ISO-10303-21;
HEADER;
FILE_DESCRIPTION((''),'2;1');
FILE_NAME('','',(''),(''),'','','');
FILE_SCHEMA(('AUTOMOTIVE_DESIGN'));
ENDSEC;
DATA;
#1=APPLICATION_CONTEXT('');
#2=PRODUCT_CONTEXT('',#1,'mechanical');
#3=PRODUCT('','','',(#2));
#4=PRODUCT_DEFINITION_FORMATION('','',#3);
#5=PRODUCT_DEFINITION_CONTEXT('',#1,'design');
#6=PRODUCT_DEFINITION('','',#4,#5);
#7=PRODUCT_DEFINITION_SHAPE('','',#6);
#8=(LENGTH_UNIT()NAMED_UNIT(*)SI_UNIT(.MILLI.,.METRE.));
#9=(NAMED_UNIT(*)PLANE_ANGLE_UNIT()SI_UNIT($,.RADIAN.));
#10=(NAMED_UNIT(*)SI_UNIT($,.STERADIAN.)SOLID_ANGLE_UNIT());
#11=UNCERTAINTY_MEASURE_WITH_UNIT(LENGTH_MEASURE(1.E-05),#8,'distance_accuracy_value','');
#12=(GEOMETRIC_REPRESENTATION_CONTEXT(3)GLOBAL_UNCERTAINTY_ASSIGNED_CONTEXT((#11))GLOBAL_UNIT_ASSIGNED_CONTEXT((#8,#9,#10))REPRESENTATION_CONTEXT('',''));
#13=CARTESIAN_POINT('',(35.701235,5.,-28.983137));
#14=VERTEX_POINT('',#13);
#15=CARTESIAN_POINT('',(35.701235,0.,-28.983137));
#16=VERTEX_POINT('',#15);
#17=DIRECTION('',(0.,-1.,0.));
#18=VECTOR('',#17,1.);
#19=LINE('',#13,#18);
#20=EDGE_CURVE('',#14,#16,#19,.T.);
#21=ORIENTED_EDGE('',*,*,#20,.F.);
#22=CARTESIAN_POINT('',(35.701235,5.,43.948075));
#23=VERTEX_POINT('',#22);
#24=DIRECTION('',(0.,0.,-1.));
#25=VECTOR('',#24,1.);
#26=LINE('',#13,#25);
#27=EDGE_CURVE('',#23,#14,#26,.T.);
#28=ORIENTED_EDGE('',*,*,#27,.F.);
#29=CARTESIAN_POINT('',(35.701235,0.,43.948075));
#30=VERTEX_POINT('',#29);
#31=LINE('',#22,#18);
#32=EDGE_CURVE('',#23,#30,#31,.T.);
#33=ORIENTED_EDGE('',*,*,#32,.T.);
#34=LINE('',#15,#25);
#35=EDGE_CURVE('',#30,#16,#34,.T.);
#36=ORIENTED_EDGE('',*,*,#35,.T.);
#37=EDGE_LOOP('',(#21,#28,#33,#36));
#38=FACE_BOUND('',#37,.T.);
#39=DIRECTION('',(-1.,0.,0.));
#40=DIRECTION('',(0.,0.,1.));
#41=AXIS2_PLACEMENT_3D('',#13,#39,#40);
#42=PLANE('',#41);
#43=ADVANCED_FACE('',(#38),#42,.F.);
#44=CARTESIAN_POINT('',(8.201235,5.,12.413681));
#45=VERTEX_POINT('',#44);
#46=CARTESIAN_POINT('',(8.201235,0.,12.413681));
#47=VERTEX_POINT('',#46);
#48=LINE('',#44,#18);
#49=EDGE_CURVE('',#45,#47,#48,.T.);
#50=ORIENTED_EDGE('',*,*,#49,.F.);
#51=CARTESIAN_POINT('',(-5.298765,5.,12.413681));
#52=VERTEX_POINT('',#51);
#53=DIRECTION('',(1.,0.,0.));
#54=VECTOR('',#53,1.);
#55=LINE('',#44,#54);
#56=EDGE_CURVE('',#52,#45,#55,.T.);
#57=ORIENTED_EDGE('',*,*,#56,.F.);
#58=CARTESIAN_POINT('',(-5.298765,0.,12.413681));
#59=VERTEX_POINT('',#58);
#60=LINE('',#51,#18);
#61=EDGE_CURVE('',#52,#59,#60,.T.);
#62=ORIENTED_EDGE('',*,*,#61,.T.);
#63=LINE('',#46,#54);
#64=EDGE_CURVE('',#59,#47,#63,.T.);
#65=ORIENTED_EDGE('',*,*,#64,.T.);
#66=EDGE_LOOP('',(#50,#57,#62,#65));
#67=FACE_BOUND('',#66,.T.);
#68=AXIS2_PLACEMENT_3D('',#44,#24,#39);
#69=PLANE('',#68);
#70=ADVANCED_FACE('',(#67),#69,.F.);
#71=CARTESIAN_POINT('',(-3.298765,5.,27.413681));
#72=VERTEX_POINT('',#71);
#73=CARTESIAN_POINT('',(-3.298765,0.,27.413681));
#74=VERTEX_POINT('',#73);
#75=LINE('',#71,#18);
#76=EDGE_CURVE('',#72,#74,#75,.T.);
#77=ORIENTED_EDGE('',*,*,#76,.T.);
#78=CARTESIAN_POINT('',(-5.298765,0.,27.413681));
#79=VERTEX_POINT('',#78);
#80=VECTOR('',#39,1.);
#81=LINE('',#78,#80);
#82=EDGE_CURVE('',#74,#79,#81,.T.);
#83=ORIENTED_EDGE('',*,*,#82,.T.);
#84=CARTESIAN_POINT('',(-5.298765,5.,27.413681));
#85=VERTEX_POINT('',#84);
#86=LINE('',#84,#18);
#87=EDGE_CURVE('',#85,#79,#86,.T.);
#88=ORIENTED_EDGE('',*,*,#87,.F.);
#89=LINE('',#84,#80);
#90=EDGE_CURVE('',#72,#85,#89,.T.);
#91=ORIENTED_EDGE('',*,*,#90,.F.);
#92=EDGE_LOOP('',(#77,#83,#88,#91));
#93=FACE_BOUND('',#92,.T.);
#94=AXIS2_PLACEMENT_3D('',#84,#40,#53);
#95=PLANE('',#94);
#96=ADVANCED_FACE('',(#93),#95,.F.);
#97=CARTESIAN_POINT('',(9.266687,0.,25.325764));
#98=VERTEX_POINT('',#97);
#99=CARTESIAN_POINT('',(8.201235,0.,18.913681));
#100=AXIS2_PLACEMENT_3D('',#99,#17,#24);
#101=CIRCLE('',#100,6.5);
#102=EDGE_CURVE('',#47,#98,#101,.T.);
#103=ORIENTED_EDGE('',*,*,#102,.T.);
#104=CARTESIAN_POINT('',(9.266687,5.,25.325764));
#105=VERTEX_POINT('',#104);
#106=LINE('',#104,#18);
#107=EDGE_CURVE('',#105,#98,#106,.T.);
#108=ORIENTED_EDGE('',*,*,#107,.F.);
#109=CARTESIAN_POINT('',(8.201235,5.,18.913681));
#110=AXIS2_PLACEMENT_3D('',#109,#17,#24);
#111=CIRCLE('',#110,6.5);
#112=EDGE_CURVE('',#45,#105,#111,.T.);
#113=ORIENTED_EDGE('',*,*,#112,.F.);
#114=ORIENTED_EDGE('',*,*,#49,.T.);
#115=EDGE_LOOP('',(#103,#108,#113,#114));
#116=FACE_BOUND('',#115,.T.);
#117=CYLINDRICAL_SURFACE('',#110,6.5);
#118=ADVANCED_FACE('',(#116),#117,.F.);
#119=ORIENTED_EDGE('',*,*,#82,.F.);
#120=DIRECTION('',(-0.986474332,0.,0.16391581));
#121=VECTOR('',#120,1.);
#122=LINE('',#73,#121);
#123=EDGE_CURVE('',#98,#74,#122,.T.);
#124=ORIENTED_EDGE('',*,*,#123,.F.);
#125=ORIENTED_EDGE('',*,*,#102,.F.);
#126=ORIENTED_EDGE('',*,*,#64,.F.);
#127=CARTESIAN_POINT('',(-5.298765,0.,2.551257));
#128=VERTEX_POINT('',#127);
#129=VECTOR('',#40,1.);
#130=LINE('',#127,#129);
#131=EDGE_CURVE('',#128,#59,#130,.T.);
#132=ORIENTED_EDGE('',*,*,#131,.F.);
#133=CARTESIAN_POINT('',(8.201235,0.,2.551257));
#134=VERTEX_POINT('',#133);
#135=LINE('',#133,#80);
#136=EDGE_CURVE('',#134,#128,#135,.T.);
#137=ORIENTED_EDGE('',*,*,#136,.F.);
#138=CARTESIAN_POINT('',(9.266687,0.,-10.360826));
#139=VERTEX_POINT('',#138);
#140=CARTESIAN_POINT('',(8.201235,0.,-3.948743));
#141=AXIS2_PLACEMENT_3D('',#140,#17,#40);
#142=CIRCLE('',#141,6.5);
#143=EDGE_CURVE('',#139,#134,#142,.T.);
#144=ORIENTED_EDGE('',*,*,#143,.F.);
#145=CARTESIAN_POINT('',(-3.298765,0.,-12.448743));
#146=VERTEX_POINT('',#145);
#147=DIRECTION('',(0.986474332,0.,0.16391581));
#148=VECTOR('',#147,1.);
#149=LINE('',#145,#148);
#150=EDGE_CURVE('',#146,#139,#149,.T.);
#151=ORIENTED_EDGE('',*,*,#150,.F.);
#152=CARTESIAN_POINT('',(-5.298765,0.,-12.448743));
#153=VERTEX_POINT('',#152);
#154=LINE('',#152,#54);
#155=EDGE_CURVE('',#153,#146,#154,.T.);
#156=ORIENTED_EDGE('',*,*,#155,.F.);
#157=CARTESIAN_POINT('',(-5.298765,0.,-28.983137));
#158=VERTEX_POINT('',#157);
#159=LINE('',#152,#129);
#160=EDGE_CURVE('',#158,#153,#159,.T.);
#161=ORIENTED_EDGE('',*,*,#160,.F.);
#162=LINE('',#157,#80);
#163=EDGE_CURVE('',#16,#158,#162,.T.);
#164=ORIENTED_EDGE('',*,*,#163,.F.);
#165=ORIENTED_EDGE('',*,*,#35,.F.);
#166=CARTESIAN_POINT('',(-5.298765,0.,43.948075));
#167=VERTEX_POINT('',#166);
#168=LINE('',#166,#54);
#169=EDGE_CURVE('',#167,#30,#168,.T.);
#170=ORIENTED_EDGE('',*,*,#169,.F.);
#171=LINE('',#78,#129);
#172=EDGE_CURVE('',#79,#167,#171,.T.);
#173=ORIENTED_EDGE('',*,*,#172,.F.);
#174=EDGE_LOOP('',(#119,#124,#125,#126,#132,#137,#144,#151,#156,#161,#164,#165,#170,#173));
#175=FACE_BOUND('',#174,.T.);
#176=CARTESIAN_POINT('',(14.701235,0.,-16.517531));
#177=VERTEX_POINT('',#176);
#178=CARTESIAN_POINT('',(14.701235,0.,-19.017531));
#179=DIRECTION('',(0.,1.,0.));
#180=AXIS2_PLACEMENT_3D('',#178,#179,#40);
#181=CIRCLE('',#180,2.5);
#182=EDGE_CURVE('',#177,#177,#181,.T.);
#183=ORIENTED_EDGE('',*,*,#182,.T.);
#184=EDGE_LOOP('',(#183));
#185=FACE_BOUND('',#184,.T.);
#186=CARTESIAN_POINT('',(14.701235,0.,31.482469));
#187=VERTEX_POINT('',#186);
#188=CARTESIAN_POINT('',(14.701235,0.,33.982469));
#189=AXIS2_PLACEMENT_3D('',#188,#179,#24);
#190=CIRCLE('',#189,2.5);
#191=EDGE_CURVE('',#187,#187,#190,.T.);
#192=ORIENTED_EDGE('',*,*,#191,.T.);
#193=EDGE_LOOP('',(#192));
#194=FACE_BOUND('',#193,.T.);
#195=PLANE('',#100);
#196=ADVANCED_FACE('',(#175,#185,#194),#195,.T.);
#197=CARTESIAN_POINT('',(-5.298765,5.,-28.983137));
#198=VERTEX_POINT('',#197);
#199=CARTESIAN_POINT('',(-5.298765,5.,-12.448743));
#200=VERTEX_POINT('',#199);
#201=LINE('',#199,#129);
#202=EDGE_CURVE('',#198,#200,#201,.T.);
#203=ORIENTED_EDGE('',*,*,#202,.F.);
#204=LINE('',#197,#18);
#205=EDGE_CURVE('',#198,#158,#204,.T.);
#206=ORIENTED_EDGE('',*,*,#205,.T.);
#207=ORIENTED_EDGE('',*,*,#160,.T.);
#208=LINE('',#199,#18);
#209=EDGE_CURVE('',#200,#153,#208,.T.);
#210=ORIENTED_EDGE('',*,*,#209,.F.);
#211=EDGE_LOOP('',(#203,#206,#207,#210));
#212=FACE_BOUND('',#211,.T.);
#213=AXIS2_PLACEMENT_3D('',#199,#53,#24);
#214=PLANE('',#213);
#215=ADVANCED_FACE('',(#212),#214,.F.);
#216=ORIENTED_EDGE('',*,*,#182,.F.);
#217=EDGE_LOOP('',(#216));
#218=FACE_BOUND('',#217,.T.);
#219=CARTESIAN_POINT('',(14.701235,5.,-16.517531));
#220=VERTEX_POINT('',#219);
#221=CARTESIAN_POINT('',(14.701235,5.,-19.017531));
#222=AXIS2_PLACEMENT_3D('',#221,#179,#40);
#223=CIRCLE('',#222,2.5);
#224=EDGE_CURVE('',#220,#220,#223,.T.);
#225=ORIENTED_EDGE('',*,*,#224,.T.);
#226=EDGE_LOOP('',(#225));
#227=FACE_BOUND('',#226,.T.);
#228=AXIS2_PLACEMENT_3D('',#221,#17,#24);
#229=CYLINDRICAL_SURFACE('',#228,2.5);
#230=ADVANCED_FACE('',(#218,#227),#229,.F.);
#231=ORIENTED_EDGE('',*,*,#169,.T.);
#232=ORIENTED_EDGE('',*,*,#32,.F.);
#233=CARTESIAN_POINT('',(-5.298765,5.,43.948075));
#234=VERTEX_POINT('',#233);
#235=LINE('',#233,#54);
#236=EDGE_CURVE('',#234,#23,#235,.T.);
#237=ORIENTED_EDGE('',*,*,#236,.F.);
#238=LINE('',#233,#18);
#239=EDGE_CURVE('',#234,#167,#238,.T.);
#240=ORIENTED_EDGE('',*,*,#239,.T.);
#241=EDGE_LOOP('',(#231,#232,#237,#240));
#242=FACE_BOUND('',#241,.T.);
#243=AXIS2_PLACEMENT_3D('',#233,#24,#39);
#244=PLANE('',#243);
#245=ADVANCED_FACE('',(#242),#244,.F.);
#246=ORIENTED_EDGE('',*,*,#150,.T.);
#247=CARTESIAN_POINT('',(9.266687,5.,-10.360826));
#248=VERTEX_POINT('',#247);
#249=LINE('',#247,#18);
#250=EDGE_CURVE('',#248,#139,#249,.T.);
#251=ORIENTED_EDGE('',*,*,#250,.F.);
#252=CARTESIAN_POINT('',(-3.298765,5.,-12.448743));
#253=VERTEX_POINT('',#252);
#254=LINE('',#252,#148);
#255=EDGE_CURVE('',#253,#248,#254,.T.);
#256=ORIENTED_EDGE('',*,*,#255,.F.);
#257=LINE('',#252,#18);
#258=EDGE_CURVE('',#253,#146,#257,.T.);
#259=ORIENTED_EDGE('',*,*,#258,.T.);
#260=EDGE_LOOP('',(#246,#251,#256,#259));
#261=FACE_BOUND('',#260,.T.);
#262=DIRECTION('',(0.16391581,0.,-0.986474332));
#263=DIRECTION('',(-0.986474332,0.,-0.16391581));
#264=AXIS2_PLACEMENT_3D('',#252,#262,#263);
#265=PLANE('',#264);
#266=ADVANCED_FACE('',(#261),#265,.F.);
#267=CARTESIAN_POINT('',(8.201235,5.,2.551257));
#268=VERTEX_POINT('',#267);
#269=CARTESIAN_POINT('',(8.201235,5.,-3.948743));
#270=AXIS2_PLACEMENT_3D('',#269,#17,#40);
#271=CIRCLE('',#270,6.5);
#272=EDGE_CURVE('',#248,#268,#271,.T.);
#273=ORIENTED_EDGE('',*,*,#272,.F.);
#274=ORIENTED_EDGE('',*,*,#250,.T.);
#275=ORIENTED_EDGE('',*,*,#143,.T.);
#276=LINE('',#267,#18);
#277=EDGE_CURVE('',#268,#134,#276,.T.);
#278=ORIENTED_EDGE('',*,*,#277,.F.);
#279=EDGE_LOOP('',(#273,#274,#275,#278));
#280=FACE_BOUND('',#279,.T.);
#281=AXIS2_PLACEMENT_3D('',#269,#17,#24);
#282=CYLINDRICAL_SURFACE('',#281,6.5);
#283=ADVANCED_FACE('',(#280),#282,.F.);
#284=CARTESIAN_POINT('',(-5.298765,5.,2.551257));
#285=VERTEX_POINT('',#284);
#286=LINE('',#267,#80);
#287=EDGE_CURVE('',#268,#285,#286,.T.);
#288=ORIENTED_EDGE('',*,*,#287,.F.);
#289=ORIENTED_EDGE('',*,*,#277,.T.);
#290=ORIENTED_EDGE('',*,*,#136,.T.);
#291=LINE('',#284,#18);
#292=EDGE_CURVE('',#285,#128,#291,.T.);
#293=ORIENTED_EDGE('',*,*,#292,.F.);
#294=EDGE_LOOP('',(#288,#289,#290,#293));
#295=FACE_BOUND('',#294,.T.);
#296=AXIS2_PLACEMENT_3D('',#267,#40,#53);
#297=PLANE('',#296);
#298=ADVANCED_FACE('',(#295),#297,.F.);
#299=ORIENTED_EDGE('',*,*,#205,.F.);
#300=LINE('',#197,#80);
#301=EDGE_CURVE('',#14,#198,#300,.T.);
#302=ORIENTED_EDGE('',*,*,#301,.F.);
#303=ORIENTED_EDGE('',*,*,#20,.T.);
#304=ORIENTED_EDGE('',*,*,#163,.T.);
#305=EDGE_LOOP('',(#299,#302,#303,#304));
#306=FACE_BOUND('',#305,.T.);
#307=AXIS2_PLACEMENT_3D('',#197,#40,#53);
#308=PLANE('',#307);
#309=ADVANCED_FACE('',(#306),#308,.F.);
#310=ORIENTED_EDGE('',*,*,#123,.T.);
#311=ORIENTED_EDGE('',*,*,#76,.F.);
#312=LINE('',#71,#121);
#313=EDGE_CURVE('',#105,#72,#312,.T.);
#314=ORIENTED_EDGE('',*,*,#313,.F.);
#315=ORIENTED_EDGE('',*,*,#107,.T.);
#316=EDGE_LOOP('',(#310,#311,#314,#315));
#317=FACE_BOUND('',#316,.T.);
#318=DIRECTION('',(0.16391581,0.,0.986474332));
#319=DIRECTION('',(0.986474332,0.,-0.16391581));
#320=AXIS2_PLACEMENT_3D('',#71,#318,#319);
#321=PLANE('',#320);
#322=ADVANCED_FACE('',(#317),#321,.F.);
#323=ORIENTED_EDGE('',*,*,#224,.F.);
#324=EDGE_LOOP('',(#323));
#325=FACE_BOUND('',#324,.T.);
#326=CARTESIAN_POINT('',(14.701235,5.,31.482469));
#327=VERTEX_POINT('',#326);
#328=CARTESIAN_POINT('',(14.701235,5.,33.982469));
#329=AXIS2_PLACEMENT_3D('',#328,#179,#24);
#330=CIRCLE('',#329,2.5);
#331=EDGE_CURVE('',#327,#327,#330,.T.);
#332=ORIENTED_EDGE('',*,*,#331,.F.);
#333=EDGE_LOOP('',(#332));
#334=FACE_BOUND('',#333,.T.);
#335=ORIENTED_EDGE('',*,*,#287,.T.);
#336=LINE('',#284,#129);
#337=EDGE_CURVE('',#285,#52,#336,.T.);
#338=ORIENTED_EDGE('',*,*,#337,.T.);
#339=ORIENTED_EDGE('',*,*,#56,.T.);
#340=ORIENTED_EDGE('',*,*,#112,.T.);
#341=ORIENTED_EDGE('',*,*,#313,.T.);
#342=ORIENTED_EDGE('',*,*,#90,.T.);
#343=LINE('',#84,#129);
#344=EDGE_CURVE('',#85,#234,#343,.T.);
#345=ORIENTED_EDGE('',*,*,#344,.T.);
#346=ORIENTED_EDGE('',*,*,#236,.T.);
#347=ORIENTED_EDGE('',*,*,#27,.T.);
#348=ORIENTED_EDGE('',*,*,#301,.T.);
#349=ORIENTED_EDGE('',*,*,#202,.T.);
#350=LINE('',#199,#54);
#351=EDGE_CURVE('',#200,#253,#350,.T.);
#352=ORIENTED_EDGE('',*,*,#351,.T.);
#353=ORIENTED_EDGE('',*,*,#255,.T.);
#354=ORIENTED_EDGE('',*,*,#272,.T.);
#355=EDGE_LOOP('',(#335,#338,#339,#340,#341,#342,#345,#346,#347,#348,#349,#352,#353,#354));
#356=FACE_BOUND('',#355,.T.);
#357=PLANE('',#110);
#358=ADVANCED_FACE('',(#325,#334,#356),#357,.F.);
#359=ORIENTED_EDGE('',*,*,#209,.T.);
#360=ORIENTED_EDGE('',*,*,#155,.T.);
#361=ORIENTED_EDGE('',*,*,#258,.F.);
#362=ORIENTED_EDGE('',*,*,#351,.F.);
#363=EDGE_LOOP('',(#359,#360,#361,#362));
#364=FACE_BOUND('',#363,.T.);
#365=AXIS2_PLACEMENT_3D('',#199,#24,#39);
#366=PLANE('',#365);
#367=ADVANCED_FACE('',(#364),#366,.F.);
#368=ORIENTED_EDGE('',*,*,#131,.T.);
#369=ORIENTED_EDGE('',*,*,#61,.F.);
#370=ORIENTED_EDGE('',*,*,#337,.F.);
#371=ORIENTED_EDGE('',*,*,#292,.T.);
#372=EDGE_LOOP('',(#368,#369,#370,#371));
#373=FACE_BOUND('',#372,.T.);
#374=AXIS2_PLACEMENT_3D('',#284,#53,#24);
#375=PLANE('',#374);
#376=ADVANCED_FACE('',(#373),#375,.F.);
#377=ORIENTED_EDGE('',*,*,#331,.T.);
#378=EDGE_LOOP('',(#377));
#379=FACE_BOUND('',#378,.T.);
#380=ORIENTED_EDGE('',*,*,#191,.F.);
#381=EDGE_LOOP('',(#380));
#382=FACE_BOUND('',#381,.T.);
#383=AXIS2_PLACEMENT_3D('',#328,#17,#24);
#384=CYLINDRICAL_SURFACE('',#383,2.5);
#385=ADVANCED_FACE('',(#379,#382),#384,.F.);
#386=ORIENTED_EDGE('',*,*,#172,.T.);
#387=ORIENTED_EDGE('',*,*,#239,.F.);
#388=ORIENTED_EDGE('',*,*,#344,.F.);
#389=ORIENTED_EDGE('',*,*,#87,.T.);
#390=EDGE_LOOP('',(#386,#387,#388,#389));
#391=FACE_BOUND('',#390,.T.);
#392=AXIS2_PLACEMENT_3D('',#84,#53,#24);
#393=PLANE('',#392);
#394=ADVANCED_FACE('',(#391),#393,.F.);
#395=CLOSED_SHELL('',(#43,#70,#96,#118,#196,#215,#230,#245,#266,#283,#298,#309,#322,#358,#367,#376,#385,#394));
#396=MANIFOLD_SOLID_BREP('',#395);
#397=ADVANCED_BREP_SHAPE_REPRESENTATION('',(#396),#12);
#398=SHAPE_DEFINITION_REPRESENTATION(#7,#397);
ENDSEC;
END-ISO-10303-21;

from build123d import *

# Parameters (mm, degrees)
SKETCH2_R           = 2.5
BOSS_EXTRUDE1_DEPTH = 5


with BuildPart() as part:
    # Sketch2 → Boss-Extrude1 (new body)
    with BuildSketch(Plane(origin=(0, 0, 0), x_dir=(1, 0, 0), z_dir=(0, 1, 0))):
        with BuildLine():
            Line((-5.298765278, -43.948074933), (35.701234722, -43.948074933))
            Line((35.701234722, -43.948074933), (35.701234722, 28.983136785))
            Line((35.701234722, 28.983136785), (-5.298765278, 28.983136785))
            Line((-5.298765278, 28.983136785), (-5.298765278, 12.448742644))
            Line((-5.298765278, 12.448742644), (-3.298765278, 12.448742644))
            Line((-3.298765278, 12.448742644), (9.26668749, 10.3608258))
            ThreePointArc((9.26668749, 10.3608258), (14.679218224, 3.414205702), (8.201234722, -2.551257356))
            Line((8.201234722, -2.551257356), (-5.298765278, -2.551257356))
            Line((-5.298765278, -2.551257356), (-5.298765278, -12.413680791))
            Line((-5.298765278, -12.413680791), (8.201234722, -12.413680791))
            ThreePointArc((8.201234722, -12.413680791), (14.679218224, -18.379143849), (9.26668749, -25.325763948))
            Line((9.26668749, -25.325763948), (-3.298765278, -27.413680791))
            Line((-3.298765278, -27.413680791), (-5.298765278, -27.413680791))
            Line((-5.298765278, -27.413680791), (-5.298765278, -43.948074933))
        make_face()
        with Locations(Location((14.701234722, -33.982469074, 0), (0, 0, 90))):
            Circle(SKETCH2_R, mode=Mode.SUBTRACT)
        with Locations(Location((14.701234722, 19.017530926, 0), (0, 0, 270))):
            Circle(SKETCH2_R, mode=Mode.SUBTRACT)
    extrude(amount=BOSS_EXTRUDE1_DEPTH)


solid = part.part
